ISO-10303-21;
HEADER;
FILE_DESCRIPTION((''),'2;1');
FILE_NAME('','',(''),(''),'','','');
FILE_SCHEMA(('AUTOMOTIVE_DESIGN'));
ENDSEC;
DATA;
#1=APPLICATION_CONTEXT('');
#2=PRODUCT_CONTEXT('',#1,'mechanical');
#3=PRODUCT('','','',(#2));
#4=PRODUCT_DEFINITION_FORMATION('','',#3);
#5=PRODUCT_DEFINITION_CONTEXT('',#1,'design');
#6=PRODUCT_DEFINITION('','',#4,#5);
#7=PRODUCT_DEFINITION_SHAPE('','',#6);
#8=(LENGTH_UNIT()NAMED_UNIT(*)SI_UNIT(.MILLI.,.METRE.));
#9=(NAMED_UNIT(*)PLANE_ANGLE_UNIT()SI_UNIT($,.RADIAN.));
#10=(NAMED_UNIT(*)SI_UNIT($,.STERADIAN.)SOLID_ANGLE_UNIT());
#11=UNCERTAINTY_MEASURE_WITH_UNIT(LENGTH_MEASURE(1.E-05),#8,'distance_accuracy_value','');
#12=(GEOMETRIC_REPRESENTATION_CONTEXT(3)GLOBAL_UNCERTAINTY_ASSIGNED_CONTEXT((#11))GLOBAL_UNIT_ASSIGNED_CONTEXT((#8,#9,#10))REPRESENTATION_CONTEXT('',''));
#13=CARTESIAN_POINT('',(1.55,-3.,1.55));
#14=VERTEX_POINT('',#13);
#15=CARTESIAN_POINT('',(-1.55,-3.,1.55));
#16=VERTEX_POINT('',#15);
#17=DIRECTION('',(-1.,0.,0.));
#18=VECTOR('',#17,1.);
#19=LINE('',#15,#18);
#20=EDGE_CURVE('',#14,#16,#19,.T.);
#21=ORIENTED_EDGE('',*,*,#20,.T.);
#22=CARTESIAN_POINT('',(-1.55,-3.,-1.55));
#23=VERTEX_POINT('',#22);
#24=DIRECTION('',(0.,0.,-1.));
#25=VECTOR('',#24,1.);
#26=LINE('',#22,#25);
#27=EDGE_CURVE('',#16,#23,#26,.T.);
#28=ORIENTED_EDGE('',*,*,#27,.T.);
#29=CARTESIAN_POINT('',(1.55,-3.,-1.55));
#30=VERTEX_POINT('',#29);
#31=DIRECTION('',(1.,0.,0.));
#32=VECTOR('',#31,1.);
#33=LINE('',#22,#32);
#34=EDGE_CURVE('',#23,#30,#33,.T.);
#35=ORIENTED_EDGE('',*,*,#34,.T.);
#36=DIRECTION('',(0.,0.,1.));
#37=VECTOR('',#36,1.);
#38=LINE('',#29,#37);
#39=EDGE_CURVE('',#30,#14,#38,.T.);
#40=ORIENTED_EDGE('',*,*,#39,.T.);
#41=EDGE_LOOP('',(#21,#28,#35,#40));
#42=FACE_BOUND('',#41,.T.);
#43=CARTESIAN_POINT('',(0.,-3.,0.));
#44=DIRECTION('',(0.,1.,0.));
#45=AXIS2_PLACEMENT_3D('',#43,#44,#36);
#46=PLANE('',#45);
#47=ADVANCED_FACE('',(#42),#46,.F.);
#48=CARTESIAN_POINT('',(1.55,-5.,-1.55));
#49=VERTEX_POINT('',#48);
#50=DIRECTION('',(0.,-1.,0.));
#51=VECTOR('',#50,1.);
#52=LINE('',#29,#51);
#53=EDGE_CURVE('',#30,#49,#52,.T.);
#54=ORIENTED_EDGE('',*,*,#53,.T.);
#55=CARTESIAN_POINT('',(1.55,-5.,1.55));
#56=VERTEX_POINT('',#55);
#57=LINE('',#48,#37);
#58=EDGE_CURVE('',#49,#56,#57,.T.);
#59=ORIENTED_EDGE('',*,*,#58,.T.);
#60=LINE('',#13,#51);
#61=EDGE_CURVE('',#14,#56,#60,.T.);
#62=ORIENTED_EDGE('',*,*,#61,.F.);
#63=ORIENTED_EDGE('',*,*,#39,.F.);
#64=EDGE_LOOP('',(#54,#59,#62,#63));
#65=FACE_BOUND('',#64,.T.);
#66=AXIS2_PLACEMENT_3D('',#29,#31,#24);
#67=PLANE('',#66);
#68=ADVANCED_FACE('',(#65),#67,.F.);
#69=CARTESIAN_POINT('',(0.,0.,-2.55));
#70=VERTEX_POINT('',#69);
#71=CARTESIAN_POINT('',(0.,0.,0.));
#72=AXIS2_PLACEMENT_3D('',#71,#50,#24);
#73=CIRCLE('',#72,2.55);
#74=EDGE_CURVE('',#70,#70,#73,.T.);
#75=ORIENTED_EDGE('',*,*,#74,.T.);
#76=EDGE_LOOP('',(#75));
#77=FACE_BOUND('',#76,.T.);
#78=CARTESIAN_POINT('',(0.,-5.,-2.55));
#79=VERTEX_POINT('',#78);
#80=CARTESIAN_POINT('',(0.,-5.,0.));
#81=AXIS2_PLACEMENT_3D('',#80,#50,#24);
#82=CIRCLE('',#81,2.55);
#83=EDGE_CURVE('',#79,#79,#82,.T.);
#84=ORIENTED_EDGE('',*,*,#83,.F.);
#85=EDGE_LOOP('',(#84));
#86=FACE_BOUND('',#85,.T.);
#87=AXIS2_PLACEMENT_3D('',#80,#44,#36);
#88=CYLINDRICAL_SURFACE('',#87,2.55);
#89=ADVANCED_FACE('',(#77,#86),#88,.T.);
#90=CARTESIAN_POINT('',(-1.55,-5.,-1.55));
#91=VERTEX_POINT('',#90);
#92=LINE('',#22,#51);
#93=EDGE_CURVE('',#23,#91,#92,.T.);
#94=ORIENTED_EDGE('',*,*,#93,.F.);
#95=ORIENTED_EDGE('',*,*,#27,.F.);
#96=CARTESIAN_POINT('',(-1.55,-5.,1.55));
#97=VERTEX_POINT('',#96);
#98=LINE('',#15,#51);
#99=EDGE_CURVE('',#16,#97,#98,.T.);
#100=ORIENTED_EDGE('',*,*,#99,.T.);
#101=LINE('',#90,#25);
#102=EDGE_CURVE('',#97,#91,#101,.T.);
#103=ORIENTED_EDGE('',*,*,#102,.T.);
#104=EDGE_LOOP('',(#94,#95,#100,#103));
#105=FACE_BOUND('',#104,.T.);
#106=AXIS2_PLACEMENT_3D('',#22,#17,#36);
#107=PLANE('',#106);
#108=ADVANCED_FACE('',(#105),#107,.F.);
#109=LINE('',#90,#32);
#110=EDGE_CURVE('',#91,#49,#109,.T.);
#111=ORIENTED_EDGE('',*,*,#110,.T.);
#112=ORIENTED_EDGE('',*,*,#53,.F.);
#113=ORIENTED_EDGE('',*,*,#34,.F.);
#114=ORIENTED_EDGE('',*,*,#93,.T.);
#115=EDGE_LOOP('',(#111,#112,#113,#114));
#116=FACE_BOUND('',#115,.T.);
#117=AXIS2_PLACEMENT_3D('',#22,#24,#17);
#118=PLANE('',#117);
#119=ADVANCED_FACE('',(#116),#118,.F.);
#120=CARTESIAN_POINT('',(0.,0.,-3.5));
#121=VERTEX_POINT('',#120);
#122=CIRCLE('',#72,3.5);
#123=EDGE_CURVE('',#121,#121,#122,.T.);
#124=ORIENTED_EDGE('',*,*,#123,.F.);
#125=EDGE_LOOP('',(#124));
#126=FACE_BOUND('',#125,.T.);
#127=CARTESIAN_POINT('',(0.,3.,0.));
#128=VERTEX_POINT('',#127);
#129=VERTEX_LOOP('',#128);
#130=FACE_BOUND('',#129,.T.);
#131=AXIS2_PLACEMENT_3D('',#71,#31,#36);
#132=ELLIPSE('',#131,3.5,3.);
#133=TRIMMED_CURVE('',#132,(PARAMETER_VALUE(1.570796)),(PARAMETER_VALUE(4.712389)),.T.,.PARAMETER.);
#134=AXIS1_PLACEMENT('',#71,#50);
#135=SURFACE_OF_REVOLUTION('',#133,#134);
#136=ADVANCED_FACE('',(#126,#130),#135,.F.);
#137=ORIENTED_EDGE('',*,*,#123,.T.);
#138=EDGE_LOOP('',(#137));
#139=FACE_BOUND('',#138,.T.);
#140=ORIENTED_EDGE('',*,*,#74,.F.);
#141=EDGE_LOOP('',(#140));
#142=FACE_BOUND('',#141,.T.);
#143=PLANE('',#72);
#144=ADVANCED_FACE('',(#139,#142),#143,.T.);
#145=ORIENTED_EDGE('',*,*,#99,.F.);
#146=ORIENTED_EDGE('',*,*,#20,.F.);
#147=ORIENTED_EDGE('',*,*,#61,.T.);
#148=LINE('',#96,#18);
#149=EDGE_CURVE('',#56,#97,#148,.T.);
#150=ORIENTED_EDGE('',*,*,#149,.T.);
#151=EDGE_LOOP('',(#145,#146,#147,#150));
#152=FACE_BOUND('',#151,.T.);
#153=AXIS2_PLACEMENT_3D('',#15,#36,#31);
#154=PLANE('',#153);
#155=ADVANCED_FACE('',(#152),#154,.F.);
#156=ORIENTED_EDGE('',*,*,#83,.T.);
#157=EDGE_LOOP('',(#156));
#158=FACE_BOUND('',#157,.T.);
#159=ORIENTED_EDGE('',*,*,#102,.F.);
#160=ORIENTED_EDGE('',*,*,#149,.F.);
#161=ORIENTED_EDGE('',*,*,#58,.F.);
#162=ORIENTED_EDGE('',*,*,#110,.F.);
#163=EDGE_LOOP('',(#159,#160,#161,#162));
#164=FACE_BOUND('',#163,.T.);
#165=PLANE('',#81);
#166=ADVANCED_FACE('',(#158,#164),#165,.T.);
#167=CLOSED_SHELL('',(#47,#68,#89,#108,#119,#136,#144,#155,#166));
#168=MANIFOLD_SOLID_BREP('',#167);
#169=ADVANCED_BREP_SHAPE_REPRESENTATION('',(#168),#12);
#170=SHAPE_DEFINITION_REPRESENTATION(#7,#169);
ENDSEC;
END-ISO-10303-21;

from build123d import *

# Parameters (mm, degrees)
SKETCH3_R           = 2.55
BOSS_EXTRUDE1_DEPTH = 5
SKETCH4_W           = 3.1
SKETCH4_H           = 3.1
CUT_EXTRUDE1_DEPTH  = 2


with BuildPart() as part:
    # Sketch1 → Revolve5 (revolve)
    with BuildSketch(Plane(origin=(0, 0, 0), x_dir=(0, 0, -1), z_dir=(1, 0, 0))):
        with BuildLine():
            Line((0, 3), (0, 0))
            Line((0, 0), (3.5, 0))
            add(Edge.make_bspline(
                [(3.5, 0), (3.5, 3), (0, 3)],
                knots=[3.141592654, 3.141592654, 3.141592654, 4.71238898, 4.71238898, 4.71238898], degree=2, weights=[1, 0.707106781, 1]))
        make_face()
    revolve(axis=Axis((0, 0, 0), (0, 1, 0)))

    # Sketch3 → Boss-Extrude1 (add)
    with BuildSketch(Plane.XZ):
        Circle(SKETCH3_R)
    extrude(amount=BOSS_EXTRUDE1_DEPTH)

    # Sketch4 → Cut-Extrude1 (cut)
    with BuildSketch(Plane.XZ.offset(5)):
        Rectangle(SKETCH4_W, SKETCH4_H)
    extrude(amount=-CUT_EXTRUDE1_DEPTH, mode=Mode.SUBTRACT)


solid = part.part
